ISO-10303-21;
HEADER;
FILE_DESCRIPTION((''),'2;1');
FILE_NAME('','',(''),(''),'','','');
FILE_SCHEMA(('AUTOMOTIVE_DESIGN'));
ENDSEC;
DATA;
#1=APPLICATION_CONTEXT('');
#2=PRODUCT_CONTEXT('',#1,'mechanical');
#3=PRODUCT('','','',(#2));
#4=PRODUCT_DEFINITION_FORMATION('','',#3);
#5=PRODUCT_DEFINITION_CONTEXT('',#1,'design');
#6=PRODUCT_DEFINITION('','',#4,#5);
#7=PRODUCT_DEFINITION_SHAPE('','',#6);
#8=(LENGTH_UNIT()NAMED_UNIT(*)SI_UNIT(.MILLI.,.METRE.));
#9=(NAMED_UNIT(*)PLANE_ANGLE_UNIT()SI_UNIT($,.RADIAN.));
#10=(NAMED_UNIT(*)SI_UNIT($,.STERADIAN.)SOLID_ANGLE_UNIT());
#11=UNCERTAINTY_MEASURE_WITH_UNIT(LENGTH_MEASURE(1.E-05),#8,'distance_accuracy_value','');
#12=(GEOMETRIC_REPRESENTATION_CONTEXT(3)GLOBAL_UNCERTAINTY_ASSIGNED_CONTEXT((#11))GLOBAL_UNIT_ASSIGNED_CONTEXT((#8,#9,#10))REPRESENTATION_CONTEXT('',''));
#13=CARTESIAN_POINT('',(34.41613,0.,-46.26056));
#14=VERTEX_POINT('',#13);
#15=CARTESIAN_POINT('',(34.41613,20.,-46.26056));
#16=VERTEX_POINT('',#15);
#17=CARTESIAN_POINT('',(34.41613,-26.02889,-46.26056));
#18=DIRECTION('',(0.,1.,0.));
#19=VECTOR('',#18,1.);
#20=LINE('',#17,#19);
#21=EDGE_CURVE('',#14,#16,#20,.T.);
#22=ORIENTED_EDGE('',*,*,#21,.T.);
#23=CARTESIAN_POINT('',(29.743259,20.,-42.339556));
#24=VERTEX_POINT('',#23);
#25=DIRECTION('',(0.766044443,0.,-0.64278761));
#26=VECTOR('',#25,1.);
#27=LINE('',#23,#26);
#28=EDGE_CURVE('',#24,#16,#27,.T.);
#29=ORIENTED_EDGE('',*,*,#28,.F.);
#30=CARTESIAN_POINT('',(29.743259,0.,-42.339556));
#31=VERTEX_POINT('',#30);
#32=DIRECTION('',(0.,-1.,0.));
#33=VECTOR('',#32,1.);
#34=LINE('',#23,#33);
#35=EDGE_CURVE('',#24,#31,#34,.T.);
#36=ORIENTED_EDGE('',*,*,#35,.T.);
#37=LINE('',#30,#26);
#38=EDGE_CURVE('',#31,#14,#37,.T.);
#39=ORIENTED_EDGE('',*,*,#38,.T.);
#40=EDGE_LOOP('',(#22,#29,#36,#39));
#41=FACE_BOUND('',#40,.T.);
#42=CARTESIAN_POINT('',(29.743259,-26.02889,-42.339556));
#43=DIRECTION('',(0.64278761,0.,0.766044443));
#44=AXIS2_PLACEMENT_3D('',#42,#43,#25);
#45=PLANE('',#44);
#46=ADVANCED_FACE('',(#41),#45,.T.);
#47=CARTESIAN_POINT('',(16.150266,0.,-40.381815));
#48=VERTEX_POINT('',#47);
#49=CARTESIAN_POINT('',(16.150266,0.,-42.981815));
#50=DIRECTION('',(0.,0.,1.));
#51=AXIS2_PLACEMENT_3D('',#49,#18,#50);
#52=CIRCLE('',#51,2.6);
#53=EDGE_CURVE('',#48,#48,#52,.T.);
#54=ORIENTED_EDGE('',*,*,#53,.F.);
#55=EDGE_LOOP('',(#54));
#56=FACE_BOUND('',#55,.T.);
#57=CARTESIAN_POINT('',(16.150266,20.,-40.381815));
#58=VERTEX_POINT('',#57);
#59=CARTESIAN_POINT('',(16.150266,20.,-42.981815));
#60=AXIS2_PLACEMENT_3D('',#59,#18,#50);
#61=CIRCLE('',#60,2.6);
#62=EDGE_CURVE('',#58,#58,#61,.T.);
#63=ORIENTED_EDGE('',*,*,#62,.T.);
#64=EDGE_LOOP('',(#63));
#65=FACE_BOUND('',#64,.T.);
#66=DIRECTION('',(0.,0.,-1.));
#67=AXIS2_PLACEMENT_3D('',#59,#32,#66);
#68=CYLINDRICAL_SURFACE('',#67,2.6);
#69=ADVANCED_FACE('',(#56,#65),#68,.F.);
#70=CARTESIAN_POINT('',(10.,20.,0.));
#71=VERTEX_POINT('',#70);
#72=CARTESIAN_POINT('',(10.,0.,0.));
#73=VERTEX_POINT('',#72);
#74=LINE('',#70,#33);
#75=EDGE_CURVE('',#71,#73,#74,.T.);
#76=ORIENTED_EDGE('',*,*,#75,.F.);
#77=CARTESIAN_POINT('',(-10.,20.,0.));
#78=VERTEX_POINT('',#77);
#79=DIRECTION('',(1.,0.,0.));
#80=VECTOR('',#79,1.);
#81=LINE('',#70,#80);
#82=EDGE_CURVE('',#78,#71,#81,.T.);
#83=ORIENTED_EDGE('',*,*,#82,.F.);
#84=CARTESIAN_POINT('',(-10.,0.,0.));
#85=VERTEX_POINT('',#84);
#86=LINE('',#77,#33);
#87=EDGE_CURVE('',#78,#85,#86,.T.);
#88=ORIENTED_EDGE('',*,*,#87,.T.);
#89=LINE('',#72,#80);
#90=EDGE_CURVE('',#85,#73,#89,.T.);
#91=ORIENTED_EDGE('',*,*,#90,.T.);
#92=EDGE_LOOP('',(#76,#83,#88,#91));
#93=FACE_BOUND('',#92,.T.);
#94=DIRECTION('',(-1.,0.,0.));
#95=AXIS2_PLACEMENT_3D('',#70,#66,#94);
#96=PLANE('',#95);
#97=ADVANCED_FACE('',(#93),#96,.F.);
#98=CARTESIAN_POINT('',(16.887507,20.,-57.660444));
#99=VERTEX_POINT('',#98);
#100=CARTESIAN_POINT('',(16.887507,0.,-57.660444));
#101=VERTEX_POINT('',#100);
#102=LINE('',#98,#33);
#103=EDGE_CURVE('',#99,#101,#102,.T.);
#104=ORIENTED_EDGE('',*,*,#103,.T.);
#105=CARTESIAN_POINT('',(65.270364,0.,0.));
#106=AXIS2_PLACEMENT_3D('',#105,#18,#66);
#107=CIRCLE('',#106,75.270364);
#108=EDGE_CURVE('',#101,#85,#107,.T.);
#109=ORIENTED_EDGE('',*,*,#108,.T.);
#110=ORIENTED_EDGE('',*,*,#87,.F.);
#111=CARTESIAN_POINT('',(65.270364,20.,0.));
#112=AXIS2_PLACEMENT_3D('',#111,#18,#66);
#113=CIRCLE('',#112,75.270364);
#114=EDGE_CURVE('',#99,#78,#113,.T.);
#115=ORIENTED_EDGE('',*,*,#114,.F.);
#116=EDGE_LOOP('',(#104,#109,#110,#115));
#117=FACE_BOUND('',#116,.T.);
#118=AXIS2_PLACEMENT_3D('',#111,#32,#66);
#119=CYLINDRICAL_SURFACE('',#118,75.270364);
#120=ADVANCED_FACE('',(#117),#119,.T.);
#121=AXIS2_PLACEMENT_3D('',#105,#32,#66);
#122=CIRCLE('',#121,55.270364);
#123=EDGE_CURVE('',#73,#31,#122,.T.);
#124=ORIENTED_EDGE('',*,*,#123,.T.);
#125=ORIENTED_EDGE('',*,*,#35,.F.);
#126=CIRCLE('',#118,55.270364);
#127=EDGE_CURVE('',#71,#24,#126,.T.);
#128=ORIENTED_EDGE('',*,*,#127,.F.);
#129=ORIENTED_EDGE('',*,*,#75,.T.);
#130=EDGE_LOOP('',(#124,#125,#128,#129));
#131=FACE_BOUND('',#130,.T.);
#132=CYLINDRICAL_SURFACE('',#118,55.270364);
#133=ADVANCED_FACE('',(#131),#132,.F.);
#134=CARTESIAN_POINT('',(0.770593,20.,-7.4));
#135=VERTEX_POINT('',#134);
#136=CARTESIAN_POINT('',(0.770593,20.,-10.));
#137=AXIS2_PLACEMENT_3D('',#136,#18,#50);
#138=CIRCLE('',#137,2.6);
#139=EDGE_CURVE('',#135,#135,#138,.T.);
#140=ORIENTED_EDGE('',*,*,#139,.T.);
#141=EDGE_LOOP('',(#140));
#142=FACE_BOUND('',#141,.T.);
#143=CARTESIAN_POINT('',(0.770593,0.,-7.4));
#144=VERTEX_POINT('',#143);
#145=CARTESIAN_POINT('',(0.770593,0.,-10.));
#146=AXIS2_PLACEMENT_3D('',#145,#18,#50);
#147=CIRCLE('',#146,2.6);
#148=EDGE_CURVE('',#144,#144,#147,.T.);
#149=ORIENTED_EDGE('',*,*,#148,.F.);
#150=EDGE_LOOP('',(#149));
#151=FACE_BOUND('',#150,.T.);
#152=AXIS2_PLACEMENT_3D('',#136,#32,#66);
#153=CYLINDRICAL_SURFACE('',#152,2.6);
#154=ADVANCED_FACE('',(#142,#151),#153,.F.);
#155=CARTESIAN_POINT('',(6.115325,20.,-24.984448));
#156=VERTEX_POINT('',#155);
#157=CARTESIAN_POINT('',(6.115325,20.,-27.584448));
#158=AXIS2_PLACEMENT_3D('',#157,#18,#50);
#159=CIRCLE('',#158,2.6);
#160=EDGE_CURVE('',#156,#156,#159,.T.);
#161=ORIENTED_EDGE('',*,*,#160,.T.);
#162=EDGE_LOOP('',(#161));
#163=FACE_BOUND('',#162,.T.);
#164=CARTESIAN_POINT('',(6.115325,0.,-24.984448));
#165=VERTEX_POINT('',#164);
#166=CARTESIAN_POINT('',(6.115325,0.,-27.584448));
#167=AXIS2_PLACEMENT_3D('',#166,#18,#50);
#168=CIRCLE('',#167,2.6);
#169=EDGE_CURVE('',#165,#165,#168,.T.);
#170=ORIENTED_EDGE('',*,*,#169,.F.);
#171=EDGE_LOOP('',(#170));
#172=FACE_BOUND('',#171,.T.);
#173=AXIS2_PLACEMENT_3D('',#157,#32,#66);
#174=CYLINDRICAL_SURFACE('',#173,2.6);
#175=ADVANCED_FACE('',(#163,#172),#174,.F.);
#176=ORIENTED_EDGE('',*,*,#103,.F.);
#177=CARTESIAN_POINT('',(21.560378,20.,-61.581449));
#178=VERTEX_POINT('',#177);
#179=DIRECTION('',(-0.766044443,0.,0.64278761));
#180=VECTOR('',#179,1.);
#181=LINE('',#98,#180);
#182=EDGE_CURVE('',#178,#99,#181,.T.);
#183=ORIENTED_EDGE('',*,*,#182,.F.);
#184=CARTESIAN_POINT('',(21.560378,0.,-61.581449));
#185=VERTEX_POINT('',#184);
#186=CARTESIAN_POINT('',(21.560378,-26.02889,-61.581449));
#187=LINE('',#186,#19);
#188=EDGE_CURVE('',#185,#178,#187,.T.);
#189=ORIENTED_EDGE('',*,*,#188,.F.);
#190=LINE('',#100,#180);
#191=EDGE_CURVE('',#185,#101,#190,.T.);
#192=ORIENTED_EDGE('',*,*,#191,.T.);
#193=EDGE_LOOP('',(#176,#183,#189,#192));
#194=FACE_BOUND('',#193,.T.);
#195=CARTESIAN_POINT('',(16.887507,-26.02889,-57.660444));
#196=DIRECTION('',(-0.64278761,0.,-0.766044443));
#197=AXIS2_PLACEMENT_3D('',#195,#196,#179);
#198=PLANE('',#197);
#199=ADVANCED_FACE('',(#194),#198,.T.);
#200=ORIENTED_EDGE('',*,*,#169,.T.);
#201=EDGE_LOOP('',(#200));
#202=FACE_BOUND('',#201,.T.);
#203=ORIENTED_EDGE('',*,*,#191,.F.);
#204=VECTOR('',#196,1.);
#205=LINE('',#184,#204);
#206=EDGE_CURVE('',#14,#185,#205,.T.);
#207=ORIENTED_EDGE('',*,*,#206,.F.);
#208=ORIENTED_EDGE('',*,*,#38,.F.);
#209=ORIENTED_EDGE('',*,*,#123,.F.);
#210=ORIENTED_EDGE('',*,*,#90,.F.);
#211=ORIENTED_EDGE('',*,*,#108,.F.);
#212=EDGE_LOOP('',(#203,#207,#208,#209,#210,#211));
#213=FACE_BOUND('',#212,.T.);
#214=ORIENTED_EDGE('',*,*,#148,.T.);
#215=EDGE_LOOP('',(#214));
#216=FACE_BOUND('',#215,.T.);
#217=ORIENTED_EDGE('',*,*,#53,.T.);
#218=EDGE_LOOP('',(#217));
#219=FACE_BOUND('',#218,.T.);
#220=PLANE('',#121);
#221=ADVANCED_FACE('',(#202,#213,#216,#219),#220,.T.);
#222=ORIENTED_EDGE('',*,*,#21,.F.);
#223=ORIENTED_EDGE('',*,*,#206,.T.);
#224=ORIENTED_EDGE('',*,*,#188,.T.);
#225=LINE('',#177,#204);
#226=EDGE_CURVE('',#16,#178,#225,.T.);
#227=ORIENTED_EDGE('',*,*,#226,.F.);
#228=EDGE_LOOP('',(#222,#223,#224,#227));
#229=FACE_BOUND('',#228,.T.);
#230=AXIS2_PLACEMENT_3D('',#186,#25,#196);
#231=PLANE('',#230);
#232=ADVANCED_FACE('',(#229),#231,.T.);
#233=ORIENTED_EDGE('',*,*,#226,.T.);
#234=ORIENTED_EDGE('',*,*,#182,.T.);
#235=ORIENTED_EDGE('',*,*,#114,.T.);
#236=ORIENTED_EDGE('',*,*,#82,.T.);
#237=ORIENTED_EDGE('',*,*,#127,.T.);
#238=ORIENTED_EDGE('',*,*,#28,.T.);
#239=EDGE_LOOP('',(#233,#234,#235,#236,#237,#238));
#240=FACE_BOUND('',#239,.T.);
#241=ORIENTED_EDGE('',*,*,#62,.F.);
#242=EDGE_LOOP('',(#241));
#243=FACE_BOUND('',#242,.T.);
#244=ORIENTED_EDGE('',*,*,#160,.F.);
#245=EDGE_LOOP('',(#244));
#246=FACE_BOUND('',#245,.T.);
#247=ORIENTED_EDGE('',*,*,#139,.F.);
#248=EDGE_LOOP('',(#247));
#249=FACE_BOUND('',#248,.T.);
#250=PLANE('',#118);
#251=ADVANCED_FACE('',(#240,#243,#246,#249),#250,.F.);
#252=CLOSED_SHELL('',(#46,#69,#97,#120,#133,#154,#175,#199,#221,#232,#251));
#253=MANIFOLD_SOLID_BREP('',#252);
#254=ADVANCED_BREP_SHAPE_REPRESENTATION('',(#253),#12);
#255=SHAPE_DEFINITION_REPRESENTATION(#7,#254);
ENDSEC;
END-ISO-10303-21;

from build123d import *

# Parameters (mm, degrees)
SKETCH1_R           = 2.6
BOSS_EXTRUDE1_DEPTH = 20
BOSS_EXTRUDE2_DEPTH = 20


with BuildPart() as part:
    # Sketch1 → Boss-Extrude1 (new body)
    with BuildSketch(Plane(origin=(0, 0, 0), x_dir=(1, 0, 0), z_dir=(0, 1, 0))):
        with BuildLine():
            Line((10, 0), (-10, 0))
            ThreePointArc((-10, 0), (-2.947752983, 31.810630591), (16.887506811, 57.660444431))
            Line((16.887506811, 57.660444431), (29.743259005, 42.339555569))
            ThreePointArc((29.743259005, 42.339555569), (15.178402758, 23.358265357), (10, 0))
        make_face()
        with Locations(Location((0.770593323, 10, 0), (0, 0, 270))):
            Circle(SKETCH1_R, mode=Mode.SUBTRACT)
        with Locations(Location((6.115324888, 27.584447974, 0), (0, 0, 270))):
            Circle(SKETCH1_R, mode=Mode.SUBTRACT)
        with Locations(Location((16.150266317, 42.98181517, 0), (0, 0, 270))):
            Circle(SKETCH1_R, mode=Mode.SUBTRACT)
    extrude(amount=BOSS_EXTRUDE1_DEPTH)

    # Sketch2 → Boss-Extrude2 (add)
    with BuildSketch(Plane(origin=(0, 20, 0), x_dir=(1, 0, 0), z_dir=(0, 1, 0))):
        Polygon((16.887506811, 57.660444431), (29.743259005, 42.339555569), (34.416130108, 46.260559988), (21.560377914, 61.58144885), align=None)
    extrude(amount=-BOSS_EXTRUDE2_DEPTH)


solid = part.part
